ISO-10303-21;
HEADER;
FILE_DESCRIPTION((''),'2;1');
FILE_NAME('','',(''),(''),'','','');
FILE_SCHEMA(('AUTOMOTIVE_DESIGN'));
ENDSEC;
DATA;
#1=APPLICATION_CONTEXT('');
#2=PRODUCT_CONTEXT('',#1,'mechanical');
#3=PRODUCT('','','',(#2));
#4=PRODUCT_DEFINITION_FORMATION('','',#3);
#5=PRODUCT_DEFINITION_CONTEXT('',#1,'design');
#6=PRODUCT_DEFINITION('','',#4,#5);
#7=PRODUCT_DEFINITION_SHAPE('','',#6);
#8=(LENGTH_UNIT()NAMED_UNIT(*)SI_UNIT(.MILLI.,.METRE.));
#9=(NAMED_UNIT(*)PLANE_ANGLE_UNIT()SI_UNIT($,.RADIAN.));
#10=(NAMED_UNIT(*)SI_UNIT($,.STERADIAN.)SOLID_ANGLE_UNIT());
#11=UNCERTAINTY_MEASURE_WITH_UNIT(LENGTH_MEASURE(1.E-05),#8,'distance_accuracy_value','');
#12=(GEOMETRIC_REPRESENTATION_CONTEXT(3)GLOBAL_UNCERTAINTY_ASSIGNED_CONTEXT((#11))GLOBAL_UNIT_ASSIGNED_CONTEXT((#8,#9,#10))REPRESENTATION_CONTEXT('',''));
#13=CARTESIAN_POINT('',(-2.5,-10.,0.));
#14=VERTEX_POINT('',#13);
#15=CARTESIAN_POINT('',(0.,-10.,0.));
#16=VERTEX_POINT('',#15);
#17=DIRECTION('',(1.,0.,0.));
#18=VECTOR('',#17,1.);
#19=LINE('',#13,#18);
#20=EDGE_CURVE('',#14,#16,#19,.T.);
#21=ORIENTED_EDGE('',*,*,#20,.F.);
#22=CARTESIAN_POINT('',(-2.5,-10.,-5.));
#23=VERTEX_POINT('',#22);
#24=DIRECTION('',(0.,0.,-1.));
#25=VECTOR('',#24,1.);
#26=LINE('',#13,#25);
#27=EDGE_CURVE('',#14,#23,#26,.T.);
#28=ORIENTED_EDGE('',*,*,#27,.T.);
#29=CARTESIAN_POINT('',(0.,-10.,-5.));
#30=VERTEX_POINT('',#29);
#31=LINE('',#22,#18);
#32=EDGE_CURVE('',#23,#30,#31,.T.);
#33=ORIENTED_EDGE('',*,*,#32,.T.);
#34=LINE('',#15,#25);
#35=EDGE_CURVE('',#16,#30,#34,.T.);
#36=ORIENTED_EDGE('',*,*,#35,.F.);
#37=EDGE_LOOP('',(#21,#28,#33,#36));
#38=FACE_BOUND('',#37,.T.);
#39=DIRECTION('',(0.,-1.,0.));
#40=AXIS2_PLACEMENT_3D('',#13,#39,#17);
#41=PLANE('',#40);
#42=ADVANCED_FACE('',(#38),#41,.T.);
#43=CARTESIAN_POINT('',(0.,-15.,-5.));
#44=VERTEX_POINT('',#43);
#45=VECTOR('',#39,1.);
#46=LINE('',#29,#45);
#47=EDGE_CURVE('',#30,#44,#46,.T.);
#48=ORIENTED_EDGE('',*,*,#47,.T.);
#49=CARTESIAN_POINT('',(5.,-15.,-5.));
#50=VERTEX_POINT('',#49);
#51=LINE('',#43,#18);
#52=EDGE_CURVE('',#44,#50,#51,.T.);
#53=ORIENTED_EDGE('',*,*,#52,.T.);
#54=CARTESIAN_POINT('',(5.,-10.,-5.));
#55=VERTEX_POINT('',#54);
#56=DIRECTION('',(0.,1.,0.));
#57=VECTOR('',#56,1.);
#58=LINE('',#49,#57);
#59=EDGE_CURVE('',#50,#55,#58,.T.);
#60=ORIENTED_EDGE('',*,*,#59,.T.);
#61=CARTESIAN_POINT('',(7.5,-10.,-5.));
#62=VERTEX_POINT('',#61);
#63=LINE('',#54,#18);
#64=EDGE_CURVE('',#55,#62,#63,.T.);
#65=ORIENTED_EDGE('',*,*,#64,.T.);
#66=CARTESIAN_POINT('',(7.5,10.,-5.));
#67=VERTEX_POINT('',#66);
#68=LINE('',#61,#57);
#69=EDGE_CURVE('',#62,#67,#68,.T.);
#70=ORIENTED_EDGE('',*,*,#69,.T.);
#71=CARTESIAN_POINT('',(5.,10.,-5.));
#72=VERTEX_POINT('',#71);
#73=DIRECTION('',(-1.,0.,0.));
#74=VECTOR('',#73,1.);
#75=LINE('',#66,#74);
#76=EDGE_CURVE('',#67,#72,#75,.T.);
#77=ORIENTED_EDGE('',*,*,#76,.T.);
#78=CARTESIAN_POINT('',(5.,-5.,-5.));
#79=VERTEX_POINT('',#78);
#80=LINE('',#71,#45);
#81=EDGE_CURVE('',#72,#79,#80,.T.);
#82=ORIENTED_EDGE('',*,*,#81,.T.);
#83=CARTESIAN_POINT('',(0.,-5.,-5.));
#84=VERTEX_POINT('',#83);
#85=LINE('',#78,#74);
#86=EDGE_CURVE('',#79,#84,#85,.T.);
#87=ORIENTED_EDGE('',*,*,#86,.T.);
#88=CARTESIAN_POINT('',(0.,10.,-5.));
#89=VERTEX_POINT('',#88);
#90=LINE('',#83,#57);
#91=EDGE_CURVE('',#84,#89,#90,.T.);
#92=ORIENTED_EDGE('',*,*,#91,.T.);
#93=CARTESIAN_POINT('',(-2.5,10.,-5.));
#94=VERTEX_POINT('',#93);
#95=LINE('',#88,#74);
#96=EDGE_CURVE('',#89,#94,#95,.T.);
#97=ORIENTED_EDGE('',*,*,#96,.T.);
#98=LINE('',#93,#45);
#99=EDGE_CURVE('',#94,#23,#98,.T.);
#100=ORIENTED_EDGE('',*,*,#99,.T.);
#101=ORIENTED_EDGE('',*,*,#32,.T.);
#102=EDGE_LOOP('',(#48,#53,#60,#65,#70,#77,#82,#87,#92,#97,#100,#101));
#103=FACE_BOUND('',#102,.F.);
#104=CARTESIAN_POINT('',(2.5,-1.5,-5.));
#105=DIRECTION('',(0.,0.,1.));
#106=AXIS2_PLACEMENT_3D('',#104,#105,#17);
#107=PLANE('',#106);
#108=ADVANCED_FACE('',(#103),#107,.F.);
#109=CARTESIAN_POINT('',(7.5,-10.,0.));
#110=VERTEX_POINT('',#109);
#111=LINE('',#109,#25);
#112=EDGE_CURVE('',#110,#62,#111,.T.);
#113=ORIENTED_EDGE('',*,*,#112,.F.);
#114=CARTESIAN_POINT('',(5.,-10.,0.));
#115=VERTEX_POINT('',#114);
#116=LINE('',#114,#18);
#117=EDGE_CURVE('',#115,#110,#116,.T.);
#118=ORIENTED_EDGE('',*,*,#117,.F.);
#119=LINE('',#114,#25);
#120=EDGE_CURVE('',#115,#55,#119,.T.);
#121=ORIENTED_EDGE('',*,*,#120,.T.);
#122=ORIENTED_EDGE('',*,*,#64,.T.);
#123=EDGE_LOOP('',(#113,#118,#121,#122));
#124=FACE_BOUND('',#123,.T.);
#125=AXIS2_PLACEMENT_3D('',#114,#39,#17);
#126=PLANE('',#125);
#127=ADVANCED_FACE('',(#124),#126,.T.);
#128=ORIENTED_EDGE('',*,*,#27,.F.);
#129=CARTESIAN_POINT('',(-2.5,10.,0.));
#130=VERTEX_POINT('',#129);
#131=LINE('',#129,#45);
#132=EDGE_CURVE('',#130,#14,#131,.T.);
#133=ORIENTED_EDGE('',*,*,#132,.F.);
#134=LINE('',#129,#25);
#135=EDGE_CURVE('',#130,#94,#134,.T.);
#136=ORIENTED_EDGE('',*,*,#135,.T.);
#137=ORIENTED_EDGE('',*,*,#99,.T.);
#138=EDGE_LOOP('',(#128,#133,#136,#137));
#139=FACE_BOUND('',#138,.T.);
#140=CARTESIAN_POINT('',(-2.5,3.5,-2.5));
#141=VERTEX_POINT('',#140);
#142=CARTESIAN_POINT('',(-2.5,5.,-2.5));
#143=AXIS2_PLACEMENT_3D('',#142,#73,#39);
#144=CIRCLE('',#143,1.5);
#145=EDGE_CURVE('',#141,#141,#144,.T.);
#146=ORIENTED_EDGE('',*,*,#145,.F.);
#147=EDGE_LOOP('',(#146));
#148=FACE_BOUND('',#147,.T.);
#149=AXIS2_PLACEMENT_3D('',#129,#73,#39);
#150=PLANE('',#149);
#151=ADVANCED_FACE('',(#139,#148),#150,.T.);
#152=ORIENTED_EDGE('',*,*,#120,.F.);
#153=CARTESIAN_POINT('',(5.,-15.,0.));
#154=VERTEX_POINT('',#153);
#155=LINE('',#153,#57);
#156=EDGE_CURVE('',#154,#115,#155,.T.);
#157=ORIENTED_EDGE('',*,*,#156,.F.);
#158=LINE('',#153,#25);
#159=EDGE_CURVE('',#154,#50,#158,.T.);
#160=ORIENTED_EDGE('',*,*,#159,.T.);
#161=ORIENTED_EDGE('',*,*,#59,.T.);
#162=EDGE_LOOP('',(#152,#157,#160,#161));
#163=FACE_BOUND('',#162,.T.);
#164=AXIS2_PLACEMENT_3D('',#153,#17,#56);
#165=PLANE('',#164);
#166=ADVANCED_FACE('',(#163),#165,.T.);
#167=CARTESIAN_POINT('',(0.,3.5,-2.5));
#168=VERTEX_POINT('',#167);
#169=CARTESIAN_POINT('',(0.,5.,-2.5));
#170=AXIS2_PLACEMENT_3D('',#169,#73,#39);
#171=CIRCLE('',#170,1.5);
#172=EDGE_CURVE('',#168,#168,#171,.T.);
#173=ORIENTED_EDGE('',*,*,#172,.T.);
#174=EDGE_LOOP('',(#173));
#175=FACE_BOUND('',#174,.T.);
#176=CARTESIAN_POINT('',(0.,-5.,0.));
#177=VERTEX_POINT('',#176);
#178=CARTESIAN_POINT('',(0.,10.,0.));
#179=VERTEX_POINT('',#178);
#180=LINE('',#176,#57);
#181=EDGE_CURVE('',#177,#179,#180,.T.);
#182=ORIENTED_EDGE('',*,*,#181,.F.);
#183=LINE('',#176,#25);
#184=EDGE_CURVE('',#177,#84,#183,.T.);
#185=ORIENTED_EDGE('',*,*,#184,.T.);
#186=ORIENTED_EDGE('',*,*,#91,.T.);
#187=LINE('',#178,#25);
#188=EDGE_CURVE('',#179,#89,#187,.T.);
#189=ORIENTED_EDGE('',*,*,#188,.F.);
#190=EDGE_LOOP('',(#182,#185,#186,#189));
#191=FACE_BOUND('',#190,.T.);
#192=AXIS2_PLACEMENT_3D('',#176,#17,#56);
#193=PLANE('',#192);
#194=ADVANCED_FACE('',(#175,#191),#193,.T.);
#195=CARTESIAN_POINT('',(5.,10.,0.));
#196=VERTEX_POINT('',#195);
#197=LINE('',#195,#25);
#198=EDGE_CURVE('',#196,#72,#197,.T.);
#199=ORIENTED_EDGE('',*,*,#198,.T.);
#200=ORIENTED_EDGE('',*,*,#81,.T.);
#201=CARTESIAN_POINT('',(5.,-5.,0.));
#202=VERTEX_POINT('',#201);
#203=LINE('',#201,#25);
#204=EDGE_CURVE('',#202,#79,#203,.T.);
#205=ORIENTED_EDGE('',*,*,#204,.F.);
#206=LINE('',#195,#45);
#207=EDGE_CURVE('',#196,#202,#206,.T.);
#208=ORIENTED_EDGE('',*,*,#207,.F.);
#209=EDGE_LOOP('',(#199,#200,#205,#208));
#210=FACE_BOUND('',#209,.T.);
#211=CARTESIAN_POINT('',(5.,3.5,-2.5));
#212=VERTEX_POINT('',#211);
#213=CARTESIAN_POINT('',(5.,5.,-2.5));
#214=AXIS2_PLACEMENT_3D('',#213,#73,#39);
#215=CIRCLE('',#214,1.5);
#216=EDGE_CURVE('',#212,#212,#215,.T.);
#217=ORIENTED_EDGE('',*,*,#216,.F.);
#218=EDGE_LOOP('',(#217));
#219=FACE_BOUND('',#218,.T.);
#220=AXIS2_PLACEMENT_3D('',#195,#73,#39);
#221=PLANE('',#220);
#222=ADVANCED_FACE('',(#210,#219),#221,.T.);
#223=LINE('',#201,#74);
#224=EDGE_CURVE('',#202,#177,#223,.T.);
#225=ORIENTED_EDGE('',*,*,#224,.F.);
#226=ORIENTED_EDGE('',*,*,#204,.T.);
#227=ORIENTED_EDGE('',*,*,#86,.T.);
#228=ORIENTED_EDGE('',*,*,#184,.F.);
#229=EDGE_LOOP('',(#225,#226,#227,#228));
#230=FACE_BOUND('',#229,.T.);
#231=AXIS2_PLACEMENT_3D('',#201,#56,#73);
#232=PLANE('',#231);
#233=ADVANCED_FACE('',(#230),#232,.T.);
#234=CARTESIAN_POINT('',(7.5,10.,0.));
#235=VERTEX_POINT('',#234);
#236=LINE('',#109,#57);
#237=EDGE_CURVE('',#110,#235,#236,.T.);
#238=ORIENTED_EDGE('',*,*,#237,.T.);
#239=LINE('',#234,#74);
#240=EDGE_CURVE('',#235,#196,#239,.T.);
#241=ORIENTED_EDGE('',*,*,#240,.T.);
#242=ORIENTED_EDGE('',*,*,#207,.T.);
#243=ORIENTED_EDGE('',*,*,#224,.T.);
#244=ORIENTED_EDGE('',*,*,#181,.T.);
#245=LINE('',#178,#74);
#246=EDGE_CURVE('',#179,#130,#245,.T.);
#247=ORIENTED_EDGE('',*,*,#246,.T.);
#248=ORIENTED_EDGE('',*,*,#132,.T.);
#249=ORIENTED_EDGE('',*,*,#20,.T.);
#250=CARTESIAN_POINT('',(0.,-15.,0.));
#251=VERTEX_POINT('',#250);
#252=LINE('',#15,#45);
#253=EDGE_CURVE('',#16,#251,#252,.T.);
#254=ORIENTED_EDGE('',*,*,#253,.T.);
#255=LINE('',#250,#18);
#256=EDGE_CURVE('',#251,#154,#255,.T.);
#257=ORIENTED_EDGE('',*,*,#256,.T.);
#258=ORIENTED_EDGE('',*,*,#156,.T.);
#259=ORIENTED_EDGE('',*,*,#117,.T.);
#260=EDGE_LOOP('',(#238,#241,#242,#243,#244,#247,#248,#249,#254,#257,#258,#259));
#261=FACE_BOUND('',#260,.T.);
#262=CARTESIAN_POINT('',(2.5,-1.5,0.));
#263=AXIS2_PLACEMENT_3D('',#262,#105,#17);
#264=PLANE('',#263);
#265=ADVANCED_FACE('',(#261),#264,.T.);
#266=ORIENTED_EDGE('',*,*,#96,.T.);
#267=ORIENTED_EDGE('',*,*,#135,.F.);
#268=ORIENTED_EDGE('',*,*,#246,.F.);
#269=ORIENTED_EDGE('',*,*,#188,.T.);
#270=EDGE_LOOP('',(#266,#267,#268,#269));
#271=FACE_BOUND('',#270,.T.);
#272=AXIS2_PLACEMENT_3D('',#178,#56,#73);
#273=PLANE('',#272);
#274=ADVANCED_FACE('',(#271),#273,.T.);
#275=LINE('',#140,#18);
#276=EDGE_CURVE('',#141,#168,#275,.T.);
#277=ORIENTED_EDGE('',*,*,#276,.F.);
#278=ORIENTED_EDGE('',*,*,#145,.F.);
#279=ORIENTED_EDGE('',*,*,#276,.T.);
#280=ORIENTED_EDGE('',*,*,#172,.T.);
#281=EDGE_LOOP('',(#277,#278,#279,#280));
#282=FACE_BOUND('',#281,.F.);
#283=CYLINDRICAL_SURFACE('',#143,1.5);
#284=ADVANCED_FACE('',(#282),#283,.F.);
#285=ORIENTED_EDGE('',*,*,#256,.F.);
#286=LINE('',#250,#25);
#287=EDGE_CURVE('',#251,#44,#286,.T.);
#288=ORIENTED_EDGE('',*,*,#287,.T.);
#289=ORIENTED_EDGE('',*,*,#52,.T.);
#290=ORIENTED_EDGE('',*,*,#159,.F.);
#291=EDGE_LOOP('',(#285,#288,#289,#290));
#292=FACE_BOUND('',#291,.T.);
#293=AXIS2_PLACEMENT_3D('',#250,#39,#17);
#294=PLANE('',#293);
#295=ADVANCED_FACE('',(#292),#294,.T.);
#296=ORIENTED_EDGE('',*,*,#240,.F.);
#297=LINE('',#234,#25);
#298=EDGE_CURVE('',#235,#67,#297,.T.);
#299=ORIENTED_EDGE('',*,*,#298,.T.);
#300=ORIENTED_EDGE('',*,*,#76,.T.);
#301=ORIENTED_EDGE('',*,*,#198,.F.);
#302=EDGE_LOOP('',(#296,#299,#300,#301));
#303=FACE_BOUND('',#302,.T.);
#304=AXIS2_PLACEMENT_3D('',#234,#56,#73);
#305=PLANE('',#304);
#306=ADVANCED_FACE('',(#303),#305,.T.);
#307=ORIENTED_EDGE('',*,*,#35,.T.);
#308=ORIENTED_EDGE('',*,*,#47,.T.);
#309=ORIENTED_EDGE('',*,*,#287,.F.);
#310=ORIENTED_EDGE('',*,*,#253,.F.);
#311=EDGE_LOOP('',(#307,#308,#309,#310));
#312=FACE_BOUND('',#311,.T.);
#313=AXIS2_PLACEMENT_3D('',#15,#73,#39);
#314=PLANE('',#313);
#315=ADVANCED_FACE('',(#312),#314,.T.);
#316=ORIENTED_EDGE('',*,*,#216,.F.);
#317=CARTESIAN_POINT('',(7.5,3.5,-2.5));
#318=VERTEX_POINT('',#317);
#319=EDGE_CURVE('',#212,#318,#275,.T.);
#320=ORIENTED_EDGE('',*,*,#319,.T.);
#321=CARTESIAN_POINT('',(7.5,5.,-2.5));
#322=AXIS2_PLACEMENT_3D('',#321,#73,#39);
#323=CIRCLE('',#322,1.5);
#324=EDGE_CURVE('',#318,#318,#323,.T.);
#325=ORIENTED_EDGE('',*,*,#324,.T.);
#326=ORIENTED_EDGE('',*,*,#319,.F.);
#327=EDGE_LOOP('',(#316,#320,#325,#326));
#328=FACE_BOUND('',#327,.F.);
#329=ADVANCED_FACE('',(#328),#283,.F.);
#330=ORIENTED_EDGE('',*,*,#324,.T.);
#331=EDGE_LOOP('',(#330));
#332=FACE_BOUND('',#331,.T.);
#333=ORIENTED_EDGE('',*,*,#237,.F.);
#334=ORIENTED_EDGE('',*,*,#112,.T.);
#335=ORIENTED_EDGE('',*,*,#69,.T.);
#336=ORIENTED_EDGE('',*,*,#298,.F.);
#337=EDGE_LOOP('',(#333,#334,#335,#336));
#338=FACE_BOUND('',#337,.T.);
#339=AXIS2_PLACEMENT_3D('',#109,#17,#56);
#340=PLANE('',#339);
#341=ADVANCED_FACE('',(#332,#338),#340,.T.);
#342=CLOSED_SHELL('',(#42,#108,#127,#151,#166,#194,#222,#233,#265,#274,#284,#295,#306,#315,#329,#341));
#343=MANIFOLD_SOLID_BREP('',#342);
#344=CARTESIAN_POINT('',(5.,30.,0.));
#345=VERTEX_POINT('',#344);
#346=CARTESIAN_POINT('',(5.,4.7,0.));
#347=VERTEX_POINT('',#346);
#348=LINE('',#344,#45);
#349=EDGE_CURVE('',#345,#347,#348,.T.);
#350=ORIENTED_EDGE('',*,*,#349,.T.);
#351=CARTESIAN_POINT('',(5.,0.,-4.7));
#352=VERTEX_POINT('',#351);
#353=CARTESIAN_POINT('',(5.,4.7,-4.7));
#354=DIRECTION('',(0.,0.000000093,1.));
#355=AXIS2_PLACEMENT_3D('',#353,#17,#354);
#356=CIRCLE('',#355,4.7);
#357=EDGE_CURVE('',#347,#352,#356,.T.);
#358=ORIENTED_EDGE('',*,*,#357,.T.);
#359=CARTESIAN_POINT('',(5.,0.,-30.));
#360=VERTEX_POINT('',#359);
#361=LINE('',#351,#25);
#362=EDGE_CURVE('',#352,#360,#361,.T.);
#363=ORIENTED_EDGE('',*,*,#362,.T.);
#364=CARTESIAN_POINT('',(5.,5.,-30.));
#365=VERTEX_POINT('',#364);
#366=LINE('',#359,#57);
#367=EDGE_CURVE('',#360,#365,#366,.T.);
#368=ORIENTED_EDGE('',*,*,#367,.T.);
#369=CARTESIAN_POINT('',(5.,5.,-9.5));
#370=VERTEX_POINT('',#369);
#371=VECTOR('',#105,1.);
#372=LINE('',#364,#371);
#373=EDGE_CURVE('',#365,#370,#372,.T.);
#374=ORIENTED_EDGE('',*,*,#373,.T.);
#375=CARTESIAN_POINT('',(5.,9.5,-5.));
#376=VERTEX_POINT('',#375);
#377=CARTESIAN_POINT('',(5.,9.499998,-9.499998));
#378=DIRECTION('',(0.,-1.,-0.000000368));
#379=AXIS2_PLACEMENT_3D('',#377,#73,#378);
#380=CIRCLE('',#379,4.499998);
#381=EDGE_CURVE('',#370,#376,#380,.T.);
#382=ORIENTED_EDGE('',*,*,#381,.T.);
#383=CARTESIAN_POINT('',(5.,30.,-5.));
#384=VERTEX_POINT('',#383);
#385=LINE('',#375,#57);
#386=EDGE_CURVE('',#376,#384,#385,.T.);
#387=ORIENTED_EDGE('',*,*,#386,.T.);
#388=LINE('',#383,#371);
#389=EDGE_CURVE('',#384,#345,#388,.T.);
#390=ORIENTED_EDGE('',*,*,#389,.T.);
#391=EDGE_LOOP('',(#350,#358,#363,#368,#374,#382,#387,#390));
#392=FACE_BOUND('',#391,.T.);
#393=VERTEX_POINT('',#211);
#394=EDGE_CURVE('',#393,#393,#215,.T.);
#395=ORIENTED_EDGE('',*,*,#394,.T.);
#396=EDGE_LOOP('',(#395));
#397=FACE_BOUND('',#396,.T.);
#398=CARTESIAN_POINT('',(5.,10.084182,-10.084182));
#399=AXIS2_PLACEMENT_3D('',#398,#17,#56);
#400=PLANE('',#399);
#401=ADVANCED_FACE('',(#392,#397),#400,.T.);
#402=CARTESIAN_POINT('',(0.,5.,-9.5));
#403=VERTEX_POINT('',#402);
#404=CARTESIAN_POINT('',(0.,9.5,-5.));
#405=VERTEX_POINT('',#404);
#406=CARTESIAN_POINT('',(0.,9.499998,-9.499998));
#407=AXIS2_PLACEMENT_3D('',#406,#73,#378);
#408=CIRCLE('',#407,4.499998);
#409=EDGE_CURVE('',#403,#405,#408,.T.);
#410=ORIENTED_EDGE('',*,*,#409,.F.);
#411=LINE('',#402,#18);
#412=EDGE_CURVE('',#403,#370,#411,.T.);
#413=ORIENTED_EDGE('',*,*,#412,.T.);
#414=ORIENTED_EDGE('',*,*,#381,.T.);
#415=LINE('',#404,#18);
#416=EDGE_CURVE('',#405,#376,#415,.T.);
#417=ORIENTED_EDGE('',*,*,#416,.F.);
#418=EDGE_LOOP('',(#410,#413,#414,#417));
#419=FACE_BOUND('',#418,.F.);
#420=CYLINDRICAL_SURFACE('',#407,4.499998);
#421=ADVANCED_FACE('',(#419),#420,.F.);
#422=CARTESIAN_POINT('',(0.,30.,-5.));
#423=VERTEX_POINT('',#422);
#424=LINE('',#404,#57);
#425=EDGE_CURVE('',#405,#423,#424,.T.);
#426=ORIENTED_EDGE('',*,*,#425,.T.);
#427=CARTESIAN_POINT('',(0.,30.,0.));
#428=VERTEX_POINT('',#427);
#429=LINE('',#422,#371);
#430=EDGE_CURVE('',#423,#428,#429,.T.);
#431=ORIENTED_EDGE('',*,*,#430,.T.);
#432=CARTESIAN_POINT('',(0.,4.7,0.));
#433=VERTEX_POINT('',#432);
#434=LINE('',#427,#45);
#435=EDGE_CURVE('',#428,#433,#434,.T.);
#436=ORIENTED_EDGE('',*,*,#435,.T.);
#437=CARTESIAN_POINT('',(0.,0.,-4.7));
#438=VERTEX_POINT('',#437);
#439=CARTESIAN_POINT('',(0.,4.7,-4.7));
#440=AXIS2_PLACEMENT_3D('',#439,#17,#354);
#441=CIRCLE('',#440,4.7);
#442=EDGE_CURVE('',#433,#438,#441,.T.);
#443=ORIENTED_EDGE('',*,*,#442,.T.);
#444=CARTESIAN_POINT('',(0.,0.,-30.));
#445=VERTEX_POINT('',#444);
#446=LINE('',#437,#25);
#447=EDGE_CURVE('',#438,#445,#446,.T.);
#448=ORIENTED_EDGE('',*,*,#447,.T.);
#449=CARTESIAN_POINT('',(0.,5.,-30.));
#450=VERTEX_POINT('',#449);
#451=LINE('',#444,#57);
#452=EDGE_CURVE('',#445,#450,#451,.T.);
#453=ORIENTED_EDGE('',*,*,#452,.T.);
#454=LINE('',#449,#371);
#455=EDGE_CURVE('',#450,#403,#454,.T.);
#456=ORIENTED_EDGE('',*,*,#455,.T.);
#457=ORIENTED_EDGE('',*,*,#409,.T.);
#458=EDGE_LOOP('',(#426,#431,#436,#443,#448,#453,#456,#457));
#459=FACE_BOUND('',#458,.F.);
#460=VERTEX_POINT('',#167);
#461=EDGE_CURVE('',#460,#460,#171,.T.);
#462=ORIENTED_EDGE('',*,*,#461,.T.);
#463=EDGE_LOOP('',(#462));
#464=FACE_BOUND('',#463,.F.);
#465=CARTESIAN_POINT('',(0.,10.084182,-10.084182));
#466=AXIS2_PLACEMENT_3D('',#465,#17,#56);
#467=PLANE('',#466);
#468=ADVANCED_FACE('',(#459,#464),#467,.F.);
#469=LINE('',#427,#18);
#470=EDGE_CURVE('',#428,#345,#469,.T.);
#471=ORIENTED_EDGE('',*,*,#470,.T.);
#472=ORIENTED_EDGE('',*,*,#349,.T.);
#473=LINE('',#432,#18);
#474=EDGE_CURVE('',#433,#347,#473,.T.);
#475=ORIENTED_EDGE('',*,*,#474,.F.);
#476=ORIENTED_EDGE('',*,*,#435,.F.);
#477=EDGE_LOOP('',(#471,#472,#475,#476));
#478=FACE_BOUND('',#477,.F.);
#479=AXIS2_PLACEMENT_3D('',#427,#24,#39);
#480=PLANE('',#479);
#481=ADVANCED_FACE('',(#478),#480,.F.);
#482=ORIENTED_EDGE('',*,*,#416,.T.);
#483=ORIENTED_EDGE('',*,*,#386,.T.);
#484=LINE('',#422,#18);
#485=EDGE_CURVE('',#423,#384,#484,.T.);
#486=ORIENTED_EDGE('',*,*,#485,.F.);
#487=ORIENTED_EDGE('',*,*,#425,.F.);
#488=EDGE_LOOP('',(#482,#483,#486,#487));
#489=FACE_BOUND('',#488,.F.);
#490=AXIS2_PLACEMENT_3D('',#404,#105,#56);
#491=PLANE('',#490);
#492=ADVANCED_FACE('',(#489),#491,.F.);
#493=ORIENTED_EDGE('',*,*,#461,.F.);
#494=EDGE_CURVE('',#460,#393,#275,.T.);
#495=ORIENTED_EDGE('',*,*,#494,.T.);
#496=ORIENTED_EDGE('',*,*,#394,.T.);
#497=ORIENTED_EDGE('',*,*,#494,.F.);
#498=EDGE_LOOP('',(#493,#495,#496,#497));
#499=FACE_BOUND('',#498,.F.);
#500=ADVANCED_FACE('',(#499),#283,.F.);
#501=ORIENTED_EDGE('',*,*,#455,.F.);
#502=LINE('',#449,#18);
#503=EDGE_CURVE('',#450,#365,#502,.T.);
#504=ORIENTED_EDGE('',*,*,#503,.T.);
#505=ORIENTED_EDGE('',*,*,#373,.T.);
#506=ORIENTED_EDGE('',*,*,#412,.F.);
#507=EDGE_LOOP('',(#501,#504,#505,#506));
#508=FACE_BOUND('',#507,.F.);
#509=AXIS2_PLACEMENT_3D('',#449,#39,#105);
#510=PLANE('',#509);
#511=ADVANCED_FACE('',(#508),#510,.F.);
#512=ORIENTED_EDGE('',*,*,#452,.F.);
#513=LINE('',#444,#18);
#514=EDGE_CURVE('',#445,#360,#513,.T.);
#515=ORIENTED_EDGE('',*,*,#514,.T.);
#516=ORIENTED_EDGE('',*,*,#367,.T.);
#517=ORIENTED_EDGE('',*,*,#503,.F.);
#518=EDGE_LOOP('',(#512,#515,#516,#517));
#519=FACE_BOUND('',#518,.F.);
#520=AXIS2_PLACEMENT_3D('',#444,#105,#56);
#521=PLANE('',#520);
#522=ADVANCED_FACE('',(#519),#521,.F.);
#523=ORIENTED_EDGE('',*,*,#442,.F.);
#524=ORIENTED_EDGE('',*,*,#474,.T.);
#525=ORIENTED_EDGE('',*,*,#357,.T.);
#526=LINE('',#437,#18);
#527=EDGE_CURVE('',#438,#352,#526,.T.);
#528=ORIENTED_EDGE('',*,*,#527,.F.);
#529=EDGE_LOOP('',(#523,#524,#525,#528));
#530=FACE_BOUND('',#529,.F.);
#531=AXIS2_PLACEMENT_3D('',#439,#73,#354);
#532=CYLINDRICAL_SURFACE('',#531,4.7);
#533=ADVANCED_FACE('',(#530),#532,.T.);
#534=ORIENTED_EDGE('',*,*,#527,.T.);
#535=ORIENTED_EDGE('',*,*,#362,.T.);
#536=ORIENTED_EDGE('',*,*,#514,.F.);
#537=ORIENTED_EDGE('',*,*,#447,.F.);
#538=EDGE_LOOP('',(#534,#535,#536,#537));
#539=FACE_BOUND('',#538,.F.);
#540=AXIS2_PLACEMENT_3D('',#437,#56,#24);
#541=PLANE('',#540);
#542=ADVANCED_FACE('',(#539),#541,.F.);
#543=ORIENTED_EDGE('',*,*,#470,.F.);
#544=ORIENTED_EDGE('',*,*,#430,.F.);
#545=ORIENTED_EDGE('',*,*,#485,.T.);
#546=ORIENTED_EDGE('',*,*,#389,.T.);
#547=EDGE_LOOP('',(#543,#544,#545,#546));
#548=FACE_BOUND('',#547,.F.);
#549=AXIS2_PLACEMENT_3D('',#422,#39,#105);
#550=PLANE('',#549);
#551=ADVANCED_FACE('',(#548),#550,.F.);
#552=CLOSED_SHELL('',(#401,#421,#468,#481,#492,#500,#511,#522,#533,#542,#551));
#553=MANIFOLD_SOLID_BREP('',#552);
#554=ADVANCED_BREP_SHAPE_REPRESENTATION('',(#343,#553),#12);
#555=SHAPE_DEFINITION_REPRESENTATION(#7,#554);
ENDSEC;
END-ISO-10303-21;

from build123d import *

# Parameters (mm, degrees)
F1_DEPTH = 5
F3_DEPTH = 5
F4_R     = 1.5
F5_DEPTH = 10


with BuildPart() as f1:
    # F0 (on Right) → F1 (new body)
    with BuildSketch(Plane.YZ):
        with BuildLine():
            Line((30, 0), (4.7, 0))
            ThreePointArc((4.7, 0), (1.376598, -1.376598), (0, -4.7))
            Line((0, -4.7), (0, -5))
            Line((0, -5), (0, -30))
            Line((0, -30), (5, -30))
            Line((5, -30), (5, -9.5))
            ThreePointArc((5, -9.5), (6.318019, -6.318019), (9.5, -5))
            Line((9.5, -5), (30, -5))
            Line((30, -5), (30, 0))
        make_face()
    extrude(amount=F1_DEPTH)


with BuildPart() as f3:
    # F2 (on face) → F3 (new body, through all)
    with BuildSketch(Plane.XY):
        Polygon((7.5, 10), (5, 10), (5, -5), (0, -5), (0, 10), (-2.5, 10), (-2.5, -10), (0, -10), (0, -15), (5, -15), (5, -10), (7.5, -10), align=None)
    extrude(amount=-F3_DEPTH)


with BuildPart() as f5_tool:
    # F4 (on face) → F5 (new body, through all)
    with BuildSketch(Plane(origin=(-2.5, 0, 0), x_dir=(0, -1, 0), z_dir=(-1, 0, 0))):
        with Locations((-5, -2.5)):
            Circle(F4_R)
    extrude(amount=-F5_DEPTH)


with BuildPart() as f1_1:
    add(f1.part)

    # F5: cut by f5_tool
    add(f5_tool.part, mode=Mode.SUBTRACT)


with BuildPart() as f3_1:
    add(f3.part)

    # F5: cut by f5_tool
    add(f5_tool.part, mode=Mode.SUBTRACT)


solid = Compound([f1_1.part, f3_1.part])
